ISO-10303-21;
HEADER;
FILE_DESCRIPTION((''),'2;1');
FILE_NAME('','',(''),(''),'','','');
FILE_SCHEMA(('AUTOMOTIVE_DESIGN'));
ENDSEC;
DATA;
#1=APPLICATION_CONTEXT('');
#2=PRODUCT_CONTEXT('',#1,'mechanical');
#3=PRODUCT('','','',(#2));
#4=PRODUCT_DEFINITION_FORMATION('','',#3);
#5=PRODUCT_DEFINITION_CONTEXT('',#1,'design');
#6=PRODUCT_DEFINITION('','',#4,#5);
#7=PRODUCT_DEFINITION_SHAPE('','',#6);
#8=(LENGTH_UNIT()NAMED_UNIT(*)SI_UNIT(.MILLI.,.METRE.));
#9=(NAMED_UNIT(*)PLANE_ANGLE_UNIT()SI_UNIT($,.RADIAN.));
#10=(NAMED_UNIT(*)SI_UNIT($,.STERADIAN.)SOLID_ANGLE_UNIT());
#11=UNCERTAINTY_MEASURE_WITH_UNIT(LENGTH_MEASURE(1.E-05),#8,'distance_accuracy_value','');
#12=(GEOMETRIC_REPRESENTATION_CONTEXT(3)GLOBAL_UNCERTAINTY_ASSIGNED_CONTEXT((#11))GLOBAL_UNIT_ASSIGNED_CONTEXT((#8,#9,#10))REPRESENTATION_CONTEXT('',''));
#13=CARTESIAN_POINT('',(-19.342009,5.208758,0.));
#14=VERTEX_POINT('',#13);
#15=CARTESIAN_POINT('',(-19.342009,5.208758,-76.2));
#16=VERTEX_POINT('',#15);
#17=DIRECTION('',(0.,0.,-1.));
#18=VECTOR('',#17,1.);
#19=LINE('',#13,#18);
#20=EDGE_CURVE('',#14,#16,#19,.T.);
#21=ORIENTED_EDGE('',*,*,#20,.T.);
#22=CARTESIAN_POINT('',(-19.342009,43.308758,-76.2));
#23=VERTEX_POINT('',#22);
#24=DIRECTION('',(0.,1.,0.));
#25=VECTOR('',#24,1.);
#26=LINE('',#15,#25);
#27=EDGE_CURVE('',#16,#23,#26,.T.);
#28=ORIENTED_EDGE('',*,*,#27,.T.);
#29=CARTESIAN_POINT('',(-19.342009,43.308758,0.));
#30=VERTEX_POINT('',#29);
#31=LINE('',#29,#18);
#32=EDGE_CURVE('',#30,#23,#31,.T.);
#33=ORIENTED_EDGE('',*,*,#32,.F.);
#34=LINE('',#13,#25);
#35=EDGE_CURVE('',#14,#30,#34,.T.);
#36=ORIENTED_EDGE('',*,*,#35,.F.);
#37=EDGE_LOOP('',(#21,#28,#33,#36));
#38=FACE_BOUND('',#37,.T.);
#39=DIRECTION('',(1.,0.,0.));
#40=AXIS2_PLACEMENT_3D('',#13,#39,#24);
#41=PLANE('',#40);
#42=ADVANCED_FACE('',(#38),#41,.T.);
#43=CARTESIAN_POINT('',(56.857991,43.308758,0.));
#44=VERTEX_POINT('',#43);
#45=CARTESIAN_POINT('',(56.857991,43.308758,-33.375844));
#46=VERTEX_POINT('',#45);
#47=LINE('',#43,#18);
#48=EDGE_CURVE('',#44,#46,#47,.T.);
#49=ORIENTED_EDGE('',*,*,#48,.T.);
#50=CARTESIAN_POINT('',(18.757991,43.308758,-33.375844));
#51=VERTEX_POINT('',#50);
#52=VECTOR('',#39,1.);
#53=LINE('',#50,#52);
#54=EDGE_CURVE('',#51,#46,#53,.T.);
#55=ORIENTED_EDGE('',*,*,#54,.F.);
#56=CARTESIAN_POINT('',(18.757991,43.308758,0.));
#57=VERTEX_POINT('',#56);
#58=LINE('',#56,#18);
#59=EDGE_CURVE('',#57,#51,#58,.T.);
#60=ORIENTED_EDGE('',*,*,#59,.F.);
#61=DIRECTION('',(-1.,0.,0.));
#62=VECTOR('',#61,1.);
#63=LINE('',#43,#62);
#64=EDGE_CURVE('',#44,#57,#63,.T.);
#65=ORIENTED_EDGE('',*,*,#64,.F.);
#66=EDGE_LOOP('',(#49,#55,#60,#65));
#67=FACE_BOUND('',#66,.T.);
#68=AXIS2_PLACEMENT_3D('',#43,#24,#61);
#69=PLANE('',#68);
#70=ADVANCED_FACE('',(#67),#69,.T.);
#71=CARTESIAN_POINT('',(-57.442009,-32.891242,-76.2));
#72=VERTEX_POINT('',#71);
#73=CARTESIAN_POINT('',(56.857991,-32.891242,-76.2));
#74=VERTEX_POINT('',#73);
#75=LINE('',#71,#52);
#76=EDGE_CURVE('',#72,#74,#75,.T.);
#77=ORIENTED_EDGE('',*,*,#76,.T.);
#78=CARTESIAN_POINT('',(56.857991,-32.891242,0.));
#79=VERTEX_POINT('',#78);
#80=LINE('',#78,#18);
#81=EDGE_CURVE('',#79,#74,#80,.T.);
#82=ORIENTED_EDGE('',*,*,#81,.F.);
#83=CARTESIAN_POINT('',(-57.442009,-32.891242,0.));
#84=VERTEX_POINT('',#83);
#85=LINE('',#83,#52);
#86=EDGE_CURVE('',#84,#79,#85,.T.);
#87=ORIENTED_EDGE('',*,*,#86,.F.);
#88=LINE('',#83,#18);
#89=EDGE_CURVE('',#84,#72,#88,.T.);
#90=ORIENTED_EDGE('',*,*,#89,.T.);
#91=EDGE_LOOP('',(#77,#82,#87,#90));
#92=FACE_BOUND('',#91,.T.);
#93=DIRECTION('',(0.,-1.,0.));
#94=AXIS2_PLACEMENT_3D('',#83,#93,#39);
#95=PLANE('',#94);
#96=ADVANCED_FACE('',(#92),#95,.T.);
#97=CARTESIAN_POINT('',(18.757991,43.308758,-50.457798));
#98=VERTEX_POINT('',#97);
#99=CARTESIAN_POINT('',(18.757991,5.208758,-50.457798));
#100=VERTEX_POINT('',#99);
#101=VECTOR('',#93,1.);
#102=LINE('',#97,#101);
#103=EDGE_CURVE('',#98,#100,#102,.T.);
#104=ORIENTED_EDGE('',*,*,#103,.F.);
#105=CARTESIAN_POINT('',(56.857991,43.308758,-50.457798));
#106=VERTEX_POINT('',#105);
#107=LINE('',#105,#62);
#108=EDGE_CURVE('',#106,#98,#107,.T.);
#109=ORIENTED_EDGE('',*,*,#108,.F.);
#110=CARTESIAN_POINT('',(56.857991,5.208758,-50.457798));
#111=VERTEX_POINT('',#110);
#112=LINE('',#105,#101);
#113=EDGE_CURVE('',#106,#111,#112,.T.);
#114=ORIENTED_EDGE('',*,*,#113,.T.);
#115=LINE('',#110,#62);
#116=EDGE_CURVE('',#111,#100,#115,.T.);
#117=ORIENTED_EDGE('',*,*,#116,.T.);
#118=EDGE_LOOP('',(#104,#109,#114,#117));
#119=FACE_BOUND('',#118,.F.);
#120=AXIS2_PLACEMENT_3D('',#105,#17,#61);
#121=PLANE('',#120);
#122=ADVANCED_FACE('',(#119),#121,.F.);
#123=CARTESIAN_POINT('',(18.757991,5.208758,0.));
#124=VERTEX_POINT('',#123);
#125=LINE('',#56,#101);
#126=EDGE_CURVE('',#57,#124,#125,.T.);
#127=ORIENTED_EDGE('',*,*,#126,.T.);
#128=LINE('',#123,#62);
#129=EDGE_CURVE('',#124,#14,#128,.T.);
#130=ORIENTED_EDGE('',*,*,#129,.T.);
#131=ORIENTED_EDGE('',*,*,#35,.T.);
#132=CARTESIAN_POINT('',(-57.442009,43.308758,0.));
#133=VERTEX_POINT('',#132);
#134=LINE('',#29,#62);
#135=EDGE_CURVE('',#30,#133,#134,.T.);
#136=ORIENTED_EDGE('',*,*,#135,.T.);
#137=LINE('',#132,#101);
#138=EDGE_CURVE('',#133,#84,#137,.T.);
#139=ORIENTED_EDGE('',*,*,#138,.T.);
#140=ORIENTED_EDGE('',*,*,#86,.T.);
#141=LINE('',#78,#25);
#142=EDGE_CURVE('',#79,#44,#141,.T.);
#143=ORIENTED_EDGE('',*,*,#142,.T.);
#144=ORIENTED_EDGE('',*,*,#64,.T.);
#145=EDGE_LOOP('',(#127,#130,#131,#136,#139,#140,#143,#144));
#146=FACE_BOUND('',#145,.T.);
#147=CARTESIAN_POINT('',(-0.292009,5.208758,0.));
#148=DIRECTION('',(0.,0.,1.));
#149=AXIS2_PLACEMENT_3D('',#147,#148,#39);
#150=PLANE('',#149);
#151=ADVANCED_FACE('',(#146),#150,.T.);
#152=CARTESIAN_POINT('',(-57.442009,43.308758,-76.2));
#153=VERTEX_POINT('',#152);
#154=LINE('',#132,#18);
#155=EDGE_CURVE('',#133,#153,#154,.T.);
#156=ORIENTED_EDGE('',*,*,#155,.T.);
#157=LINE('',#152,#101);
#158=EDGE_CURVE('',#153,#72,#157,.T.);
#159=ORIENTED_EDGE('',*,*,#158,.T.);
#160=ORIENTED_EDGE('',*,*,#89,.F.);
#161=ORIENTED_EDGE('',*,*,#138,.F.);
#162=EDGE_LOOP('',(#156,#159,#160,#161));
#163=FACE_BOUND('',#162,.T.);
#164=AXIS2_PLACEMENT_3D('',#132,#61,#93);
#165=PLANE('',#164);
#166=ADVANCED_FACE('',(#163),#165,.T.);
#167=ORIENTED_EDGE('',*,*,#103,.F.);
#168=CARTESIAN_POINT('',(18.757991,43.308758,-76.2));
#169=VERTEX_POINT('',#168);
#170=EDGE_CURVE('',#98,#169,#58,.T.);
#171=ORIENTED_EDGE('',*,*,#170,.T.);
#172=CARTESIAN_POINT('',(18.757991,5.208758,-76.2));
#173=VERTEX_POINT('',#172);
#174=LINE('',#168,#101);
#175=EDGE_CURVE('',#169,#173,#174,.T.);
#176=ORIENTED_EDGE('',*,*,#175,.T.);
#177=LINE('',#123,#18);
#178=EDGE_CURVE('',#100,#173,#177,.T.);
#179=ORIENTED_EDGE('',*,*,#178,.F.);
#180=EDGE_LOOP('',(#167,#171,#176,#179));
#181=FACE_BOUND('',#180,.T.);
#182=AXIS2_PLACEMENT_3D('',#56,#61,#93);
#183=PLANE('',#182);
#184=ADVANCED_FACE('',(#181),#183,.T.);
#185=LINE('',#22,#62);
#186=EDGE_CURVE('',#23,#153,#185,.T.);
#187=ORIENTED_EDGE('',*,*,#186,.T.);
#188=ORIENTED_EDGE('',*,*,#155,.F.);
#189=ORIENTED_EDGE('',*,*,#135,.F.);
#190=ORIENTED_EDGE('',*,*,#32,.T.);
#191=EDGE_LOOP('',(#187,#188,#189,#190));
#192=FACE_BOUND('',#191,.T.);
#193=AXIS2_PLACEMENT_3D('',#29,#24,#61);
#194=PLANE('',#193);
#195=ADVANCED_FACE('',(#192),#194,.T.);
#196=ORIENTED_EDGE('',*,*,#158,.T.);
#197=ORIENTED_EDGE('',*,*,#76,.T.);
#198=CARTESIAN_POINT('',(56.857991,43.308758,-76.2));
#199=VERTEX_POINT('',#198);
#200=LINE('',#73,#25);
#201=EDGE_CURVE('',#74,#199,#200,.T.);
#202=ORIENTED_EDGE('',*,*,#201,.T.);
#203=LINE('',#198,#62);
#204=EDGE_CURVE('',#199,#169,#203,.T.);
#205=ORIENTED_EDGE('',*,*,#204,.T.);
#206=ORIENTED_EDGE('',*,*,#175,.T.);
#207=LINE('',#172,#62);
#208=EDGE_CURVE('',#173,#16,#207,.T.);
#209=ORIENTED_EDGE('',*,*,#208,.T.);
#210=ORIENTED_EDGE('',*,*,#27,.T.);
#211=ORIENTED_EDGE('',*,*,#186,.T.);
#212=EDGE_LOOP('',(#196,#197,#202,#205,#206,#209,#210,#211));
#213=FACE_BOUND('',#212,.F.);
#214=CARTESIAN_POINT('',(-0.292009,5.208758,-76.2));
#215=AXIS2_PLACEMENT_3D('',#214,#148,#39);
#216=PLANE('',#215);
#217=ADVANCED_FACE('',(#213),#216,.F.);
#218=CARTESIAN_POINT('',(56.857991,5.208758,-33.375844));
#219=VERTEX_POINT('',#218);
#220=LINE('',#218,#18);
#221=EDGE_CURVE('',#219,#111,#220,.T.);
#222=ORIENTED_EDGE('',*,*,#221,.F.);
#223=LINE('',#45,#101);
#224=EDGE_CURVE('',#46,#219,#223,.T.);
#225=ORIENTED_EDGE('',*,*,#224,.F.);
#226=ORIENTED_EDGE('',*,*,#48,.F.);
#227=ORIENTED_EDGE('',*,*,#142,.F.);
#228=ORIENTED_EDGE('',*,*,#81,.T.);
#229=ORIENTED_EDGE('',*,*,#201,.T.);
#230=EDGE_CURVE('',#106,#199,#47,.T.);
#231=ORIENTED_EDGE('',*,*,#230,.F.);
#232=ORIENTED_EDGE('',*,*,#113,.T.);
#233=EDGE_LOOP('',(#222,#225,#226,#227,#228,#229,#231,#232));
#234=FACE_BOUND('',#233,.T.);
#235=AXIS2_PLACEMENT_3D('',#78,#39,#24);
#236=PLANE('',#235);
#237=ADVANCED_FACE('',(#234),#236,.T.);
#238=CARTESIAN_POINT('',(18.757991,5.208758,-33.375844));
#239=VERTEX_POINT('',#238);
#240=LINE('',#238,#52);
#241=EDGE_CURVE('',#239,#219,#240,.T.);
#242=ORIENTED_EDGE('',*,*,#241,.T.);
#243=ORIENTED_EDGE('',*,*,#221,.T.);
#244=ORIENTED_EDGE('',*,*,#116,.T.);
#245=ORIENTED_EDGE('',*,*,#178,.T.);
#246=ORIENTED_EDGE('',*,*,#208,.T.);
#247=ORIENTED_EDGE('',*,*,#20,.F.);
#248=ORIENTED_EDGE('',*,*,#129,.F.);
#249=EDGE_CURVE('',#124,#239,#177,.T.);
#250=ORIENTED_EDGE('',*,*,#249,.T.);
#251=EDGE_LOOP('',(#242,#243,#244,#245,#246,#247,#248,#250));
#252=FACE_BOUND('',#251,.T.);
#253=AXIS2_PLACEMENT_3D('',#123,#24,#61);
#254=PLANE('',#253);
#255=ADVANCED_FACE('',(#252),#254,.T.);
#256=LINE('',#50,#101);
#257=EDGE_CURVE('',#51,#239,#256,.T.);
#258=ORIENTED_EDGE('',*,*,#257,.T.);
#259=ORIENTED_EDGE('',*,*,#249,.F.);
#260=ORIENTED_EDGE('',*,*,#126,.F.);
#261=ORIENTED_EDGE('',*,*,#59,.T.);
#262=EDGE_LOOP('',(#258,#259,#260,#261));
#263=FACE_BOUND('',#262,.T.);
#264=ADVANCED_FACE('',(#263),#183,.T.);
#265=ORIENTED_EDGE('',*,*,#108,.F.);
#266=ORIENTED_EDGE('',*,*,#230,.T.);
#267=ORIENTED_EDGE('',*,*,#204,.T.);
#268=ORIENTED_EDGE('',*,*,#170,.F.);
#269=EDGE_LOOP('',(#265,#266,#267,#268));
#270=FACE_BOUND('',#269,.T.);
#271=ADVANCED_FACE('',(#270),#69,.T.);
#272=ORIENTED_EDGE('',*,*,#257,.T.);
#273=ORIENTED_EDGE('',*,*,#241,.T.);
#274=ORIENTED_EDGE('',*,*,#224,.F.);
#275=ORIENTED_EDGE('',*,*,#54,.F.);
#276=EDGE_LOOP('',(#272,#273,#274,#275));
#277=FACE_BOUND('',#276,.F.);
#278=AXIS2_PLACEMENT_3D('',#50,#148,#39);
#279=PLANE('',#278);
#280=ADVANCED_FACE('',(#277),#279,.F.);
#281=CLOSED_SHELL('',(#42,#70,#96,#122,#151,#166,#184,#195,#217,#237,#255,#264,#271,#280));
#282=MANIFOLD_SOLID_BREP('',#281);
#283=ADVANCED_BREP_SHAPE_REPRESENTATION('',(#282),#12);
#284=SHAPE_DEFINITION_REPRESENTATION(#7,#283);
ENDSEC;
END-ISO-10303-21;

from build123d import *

# Parameters (mm, degrees)
F1_DEPTH = 76.2
F3_DEPTH = 38.1


with BuildPart() as f1:
    # F0 (on Top) → F1 (new body)
    with BuildSketch(Plane.XY):
        Polygon((-19.342009, 43.308758), (-57.442009, 43.308758), (-57.442009, -32.891242), (56.857991, -32.891242), (56.857991, 43.308758), (18.757991, 43.308758), (18.757991, 5.208758), (-19.342009, 5.208758), align=None)
    extrude(amount=-F1_DEPTH)

    # F2 (on face) → F3 (cut)
    with BuildSketch(Plane(origin=(0, 43.308758, 0), x_dir=(-1, 0, 0), z_dir=(0, 1, 0))):
        Polygon((-18.757991, -50.457798), (-18.757991, -33.375844), (-56.857991, -33.375844), (-56.857991, -34.49871), (-56.857991, -50.457798), align=None)
    extrude(amount=-F3_DEPTH, mode=Mode.SUBTRACT)


solid = f1.part
